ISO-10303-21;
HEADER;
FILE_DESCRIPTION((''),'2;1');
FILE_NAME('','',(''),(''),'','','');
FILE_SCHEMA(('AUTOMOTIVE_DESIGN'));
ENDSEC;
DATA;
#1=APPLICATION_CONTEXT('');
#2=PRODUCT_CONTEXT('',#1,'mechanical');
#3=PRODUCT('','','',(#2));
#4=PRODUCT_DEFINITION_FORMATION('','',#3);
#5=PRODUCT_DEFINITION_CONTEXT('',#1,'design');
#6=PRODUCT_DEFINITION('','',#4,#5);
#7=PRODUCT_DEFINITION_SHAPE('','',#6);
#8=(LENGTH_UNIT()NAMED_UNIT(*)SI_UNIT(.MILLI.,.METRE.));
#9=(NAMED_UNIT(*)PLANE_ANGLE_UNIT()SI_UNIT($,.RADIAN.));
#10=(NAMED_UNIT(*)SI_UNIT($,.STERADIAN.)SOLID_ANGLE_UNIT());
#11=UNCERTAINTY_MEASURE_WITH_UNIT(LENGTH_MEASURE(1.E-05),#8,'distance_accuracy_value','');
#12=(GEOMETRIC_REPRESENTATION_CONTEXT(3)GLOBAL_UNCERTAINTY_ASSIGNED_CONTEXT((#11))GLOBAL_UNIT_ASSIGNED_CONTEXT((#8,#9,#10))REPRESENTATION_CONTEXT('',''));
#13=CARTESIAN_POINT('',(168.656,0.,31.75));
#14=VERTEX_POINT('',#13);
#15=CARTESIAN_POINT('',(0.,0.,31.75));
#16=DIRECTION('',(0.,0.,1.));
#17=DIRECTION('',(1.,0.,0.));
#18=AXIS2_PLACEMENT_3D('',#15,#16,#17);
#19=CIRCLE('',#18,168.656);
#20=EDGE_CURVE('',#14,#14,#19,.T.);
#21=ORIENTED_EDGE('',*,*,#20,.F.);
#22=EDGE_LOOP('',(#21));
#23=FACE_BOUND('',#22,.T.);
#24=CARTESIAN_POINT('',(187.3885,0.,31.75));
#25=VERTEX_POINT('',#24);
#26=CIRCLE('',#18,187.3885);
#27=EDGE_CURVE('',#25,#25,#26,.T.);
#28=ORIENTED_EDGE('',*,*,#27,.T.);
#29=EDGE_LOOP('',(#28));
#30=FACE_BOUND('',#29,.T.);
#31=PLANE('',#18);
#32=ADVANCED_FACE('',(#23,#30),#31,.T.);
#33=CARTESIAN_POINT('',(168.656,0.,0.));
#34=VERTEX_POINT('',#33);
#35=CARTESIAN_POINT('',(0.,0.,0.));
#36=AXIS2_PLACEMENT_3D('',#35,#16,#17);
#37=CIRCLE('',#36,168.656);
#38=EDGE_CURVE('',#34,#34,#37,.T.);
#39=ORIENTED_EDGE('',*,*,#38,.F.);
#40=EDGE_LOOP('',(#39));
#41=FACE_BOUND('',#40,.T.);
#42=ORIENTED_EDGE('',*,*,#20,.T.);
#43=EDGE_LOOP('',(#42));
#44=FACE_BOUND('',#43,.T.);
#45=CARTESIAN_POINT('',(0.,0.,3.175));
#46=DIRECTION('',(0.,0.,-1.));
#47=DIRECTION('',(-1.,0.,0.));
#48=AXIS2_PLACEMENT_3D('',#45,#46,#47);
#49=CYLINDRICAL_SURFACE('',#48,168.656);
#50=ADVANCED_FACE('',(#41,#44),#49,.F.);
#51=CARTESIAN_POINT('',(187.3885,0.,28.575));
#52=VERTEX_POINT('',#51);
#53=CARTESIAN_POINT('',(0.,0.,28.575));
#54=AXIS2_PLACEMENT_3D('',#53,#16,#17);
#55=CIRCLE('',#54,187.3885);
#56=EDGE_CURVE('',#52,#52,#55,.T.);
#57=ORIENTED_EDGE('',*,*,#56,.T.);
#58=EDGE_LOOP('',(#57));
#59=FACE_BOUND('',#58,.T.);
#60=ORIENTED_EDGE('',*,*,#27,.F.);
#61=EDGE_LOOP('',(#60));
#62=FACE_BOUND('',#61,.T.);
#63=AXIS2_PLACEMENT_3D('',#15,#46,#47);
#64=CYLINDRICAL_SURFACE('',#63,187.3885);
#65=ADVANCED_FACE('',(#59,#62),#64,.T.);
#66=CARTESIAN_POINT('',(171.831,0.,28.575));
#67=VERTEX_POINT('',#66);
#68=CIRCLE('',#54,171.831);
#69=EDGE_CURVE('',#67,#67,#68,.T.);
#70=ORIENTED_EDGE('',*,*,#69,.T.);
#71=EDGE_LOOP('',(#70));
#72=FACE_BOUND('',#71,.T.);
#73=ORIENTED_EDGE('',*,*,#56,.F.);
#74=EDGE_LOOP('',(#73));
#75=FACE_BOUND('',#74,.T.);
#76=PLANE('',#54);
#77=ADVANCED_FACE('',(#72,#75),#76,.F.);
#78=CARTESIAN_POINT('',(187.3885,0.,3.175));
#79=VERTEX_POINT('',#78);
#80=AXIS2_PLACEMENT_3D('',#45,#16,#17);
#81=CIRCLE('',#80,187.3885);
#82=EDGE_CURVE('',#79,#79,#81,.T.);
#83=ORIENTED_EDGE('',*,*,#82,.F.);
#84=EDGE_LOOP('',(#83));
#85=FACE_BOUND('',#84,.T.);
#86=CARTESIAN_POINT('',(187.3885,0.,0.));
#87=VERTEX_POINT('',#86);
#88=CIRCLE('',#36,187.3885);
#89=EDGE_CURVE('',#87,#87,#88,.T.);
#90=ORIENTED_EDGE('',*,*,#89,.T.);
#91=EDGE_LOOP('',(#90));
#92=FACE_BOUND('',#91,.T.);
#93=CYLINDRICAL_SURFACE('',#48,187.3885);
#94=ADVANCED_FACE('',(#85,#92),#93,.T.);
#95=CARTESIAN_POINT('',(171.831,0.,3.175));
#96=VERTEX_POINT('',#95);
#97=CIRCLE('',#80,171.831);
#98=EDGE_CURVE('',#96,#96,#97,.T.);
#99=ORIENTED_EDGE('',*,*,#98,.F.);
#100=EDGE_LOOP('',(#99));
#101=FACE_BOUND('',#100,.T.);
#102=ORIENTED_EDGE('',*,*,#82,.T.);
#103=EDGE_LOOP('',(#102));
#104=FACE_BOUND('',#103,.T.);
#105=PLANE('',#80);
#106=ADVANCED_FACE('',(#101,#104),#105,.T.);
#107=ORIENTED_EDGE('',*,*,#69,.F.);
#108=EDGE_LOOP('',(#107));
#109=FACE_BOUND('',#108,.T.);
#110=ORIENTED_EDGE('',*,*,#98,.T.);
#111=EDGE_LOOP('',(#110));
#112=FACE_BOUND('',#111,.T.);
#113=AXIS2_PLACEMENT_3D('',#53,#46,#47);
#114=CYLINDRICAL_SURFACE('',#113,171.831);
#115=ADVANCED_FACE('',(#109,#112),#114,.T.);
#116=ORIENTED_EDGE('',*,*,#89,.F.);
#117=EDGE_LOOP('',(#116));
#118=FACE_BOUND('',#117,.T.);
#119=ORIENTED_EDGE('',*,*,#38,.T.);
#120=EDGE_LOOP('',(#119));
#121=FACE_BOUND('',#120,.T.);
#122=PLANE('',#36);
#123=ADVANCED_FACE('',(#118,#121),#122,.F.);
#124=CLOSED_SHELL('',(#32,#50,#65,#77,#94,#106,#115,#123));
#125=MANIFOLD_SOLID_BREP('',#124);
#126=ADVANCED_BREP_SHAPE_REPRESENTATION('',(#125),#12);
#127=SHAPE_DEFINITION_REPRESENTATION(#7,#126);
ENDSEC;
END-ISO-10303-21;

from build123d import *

# Parameters (mm, degrees)
SKETCH2_R           = 187.3885
SKETCH2_R_2         = 168.656
BOSS_EXTRUDE1_DEPTH = 3.175
SKETCH3_R           = 171.831
SKETCH3_R_2         = 168.656
BOSS_EXTRUDE2_DEPTH = 25.4
SKETCH4_R           = 187.3885
SKETCH4_R_2         = 168.656
BOSS_EXTRUDE3_DEPTH = 3.175


with BuildPart() as part:
    # Sketch2 → Boss-Extrude1 (new body)
    with BuildSketch(Plane.XY):
        Circle(SKETCH2_R)
        Circle(SKETCH2_R_2, mode=Mode.SUBTRACT)
    extrude(amount=BOSS_EXTRUDE1_DEPTH)

    # Sketch3 → Boss-Extrude2 (add)
    with BuildSketch(Plane.XY.offset(3.175)):
        Circle(SKETCH3_R)
        Circle(SKETCH3_R_2, mode=Mode.SUBTRACT)
    extrude(amount=BOSS_EXTRUDE2_DEPTH)

    # Sketch4 → Boss-Extrude3 (add)
    with BuildSketch(Plane.XY.offset(28.575)):
        Circle(SKETCH4_R)
        Circle(SKETCH4_R_2, mode=Mode.SUBTRACT)
    extrude(amount=BOSS_EXTRUDE3_DEPTH)


solid = part.part
